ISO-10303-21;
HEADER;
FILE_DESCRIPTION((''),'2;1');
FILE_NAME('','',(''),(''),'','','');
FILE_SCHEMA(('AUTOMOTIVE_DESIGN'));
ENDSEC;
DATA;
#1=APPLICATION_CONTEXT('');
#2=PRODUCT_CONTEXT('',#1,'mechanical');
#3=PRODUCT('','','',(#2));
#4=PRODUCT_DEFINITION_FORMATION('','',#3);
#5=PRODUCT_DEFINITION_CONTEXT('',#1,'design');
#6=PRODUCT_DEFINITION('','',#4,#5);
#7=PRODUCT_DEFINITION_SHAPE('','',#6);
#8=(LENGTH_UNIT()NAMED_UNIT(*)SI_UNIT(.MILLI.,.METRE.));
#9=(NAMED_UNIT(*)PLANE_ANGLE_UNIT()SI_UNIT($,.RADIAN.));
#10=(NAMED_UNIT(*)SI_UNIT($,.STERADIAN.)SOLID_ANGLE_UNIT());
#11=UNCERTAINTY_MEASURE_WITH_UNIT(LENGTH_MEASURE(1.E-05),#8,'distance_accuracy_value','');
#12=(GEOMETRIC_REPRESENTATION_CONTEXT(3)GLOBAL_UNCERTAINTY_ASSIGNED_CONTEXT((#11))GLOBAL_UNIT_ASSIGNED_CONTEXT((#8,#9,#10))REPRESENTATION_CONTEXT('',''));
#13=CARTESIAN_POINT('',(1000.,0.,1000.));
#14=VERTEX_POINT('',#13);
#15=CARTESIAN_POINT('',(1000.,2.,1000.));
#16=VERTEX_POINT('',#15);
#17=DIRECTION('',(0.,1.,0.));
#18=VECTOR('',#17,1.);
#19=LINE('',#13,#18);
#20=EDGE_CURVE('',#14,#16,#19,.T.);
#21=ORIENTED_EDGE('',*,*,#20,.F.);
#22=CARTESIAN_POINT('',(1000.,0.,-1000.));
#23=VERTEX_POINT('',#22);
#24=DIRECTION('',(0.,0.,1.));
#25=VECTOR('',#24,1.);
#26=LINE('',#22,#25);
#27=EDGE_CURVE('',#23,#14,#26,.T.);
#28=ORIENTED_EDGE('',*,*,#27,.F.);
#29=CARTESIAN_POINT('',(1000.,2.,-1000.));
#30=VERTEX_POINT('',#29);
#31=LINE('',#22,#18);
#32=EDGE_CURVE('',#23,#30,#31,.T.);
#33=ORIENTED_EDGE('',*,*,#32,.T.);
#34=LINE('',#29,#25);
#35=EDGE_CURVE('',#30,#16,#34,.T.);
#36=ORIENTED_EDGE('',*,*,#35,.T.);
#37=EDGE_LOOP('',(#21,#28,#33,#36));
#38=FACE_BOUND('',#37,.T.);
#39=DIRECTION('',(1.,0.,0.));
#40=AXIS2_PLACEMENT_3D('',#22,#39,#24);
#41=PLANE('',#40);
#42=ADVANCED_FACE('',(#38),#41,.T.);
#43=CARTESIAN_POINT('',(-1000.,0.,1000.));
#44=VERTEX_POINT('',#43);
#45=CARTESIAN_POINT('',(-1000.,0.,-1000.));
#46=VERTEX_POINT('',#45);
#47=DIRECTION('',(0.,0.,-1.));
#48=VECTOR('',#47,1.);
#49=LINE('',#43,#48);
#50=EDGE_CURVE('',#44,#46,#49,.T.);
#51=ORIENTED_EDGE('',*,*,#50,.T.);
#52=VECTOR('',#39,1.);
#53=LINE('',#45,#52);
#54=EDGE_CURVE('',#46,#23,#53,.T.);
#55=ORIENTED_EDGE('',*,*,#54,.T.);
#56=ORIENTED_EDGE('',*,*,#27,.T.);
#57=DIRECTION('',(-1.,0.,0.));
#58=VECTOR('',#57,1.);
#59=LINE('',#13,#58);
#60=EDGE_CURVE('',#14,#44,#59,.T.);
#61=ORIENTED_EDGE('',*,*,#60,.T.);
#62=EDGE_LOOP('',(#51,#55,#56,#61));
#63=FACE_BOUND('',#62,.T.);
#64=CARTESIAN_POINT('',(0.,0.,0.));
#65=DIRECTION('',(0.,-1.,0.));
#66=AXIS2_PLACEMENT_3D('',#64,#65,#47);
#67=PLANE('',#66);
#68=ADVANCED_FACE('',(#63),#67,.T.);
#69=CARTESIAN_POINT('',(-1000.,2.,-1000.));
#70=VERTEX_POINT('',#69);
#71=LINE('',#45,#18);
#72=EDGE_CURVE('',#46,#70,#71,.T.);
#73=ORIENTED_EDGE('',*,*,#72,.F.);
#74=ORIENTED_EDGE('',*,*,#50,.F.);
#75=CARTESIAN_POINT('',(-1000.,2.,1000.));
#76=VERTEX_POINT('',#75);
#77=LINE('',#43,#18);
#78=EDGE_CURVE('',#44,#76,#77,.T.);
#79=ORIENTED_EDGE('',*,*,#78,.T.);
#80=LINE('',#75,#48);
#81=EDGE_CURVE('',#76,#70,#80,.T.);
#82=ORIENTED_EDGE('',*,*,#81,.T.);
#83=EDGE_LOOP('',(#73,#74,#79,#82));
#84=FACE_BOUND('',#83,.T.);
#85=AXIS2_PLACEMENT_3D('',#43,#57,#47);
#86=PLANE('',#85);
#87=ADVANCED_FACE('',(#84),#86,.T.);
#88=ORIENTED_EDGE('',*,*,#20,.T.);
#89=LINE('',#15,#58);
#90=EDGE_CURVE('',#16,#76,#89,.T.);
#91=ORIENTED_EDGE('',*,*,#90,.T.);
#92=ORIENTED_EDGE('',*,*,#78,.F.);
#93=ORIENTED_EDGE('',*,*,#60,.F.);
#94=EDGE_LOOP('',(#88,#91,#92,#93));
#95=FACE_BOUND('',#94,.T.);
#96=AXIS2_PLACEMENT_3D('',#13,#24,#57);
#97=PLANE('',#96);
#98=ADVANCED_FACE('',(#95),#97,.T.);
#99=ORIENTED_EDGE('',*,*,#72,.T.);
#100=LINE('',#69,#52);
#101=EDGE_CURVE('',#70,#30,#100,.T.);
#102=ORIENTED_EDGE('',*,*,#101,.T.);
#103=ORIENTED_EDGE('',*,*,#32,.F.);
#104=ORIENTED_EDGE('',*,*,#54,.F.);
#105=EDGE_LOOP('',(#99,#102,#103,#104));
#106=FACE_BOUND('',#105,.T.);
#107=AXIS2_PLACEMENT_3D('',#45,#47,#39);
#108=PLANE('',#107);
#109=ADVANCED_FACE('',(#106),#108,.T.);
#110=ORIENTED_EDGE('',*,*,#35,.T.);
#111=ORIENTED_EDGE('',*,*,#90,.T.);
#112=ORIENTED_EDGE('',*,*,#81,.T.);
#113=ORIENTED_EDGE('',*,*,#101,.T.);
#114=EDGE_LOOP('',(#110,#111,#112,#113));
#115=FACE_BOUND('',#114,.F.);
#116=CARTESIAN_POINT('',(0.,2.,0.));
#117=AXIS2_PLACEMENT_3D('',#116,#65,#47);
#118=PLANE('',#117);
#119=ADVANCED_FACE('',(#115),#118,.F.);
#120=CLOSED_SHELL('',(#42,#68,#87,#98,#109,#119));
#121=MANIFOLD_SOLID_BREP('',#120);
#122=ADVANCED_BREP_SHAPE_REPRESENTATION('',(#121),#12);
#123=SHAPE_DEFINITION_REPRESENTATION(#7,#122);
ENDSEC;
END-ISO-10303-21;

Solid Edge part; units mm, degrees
sketch "Sketch1" plane through (0, 0, 0) normal (0, -1, 0) x (1, 0, 0)
  line L0 (-1000, -1000) -> (1000, -1000)
  line L1 (1000, -1000) -> (1000, 1000)
  line L2 (1000, 1000) -> (-1000, 1000)
  line L3 (-1000, 1000) -> (-1000, -1000)
extrude "Protrusion1" add sketch "Sketch1" against normal blind 2
